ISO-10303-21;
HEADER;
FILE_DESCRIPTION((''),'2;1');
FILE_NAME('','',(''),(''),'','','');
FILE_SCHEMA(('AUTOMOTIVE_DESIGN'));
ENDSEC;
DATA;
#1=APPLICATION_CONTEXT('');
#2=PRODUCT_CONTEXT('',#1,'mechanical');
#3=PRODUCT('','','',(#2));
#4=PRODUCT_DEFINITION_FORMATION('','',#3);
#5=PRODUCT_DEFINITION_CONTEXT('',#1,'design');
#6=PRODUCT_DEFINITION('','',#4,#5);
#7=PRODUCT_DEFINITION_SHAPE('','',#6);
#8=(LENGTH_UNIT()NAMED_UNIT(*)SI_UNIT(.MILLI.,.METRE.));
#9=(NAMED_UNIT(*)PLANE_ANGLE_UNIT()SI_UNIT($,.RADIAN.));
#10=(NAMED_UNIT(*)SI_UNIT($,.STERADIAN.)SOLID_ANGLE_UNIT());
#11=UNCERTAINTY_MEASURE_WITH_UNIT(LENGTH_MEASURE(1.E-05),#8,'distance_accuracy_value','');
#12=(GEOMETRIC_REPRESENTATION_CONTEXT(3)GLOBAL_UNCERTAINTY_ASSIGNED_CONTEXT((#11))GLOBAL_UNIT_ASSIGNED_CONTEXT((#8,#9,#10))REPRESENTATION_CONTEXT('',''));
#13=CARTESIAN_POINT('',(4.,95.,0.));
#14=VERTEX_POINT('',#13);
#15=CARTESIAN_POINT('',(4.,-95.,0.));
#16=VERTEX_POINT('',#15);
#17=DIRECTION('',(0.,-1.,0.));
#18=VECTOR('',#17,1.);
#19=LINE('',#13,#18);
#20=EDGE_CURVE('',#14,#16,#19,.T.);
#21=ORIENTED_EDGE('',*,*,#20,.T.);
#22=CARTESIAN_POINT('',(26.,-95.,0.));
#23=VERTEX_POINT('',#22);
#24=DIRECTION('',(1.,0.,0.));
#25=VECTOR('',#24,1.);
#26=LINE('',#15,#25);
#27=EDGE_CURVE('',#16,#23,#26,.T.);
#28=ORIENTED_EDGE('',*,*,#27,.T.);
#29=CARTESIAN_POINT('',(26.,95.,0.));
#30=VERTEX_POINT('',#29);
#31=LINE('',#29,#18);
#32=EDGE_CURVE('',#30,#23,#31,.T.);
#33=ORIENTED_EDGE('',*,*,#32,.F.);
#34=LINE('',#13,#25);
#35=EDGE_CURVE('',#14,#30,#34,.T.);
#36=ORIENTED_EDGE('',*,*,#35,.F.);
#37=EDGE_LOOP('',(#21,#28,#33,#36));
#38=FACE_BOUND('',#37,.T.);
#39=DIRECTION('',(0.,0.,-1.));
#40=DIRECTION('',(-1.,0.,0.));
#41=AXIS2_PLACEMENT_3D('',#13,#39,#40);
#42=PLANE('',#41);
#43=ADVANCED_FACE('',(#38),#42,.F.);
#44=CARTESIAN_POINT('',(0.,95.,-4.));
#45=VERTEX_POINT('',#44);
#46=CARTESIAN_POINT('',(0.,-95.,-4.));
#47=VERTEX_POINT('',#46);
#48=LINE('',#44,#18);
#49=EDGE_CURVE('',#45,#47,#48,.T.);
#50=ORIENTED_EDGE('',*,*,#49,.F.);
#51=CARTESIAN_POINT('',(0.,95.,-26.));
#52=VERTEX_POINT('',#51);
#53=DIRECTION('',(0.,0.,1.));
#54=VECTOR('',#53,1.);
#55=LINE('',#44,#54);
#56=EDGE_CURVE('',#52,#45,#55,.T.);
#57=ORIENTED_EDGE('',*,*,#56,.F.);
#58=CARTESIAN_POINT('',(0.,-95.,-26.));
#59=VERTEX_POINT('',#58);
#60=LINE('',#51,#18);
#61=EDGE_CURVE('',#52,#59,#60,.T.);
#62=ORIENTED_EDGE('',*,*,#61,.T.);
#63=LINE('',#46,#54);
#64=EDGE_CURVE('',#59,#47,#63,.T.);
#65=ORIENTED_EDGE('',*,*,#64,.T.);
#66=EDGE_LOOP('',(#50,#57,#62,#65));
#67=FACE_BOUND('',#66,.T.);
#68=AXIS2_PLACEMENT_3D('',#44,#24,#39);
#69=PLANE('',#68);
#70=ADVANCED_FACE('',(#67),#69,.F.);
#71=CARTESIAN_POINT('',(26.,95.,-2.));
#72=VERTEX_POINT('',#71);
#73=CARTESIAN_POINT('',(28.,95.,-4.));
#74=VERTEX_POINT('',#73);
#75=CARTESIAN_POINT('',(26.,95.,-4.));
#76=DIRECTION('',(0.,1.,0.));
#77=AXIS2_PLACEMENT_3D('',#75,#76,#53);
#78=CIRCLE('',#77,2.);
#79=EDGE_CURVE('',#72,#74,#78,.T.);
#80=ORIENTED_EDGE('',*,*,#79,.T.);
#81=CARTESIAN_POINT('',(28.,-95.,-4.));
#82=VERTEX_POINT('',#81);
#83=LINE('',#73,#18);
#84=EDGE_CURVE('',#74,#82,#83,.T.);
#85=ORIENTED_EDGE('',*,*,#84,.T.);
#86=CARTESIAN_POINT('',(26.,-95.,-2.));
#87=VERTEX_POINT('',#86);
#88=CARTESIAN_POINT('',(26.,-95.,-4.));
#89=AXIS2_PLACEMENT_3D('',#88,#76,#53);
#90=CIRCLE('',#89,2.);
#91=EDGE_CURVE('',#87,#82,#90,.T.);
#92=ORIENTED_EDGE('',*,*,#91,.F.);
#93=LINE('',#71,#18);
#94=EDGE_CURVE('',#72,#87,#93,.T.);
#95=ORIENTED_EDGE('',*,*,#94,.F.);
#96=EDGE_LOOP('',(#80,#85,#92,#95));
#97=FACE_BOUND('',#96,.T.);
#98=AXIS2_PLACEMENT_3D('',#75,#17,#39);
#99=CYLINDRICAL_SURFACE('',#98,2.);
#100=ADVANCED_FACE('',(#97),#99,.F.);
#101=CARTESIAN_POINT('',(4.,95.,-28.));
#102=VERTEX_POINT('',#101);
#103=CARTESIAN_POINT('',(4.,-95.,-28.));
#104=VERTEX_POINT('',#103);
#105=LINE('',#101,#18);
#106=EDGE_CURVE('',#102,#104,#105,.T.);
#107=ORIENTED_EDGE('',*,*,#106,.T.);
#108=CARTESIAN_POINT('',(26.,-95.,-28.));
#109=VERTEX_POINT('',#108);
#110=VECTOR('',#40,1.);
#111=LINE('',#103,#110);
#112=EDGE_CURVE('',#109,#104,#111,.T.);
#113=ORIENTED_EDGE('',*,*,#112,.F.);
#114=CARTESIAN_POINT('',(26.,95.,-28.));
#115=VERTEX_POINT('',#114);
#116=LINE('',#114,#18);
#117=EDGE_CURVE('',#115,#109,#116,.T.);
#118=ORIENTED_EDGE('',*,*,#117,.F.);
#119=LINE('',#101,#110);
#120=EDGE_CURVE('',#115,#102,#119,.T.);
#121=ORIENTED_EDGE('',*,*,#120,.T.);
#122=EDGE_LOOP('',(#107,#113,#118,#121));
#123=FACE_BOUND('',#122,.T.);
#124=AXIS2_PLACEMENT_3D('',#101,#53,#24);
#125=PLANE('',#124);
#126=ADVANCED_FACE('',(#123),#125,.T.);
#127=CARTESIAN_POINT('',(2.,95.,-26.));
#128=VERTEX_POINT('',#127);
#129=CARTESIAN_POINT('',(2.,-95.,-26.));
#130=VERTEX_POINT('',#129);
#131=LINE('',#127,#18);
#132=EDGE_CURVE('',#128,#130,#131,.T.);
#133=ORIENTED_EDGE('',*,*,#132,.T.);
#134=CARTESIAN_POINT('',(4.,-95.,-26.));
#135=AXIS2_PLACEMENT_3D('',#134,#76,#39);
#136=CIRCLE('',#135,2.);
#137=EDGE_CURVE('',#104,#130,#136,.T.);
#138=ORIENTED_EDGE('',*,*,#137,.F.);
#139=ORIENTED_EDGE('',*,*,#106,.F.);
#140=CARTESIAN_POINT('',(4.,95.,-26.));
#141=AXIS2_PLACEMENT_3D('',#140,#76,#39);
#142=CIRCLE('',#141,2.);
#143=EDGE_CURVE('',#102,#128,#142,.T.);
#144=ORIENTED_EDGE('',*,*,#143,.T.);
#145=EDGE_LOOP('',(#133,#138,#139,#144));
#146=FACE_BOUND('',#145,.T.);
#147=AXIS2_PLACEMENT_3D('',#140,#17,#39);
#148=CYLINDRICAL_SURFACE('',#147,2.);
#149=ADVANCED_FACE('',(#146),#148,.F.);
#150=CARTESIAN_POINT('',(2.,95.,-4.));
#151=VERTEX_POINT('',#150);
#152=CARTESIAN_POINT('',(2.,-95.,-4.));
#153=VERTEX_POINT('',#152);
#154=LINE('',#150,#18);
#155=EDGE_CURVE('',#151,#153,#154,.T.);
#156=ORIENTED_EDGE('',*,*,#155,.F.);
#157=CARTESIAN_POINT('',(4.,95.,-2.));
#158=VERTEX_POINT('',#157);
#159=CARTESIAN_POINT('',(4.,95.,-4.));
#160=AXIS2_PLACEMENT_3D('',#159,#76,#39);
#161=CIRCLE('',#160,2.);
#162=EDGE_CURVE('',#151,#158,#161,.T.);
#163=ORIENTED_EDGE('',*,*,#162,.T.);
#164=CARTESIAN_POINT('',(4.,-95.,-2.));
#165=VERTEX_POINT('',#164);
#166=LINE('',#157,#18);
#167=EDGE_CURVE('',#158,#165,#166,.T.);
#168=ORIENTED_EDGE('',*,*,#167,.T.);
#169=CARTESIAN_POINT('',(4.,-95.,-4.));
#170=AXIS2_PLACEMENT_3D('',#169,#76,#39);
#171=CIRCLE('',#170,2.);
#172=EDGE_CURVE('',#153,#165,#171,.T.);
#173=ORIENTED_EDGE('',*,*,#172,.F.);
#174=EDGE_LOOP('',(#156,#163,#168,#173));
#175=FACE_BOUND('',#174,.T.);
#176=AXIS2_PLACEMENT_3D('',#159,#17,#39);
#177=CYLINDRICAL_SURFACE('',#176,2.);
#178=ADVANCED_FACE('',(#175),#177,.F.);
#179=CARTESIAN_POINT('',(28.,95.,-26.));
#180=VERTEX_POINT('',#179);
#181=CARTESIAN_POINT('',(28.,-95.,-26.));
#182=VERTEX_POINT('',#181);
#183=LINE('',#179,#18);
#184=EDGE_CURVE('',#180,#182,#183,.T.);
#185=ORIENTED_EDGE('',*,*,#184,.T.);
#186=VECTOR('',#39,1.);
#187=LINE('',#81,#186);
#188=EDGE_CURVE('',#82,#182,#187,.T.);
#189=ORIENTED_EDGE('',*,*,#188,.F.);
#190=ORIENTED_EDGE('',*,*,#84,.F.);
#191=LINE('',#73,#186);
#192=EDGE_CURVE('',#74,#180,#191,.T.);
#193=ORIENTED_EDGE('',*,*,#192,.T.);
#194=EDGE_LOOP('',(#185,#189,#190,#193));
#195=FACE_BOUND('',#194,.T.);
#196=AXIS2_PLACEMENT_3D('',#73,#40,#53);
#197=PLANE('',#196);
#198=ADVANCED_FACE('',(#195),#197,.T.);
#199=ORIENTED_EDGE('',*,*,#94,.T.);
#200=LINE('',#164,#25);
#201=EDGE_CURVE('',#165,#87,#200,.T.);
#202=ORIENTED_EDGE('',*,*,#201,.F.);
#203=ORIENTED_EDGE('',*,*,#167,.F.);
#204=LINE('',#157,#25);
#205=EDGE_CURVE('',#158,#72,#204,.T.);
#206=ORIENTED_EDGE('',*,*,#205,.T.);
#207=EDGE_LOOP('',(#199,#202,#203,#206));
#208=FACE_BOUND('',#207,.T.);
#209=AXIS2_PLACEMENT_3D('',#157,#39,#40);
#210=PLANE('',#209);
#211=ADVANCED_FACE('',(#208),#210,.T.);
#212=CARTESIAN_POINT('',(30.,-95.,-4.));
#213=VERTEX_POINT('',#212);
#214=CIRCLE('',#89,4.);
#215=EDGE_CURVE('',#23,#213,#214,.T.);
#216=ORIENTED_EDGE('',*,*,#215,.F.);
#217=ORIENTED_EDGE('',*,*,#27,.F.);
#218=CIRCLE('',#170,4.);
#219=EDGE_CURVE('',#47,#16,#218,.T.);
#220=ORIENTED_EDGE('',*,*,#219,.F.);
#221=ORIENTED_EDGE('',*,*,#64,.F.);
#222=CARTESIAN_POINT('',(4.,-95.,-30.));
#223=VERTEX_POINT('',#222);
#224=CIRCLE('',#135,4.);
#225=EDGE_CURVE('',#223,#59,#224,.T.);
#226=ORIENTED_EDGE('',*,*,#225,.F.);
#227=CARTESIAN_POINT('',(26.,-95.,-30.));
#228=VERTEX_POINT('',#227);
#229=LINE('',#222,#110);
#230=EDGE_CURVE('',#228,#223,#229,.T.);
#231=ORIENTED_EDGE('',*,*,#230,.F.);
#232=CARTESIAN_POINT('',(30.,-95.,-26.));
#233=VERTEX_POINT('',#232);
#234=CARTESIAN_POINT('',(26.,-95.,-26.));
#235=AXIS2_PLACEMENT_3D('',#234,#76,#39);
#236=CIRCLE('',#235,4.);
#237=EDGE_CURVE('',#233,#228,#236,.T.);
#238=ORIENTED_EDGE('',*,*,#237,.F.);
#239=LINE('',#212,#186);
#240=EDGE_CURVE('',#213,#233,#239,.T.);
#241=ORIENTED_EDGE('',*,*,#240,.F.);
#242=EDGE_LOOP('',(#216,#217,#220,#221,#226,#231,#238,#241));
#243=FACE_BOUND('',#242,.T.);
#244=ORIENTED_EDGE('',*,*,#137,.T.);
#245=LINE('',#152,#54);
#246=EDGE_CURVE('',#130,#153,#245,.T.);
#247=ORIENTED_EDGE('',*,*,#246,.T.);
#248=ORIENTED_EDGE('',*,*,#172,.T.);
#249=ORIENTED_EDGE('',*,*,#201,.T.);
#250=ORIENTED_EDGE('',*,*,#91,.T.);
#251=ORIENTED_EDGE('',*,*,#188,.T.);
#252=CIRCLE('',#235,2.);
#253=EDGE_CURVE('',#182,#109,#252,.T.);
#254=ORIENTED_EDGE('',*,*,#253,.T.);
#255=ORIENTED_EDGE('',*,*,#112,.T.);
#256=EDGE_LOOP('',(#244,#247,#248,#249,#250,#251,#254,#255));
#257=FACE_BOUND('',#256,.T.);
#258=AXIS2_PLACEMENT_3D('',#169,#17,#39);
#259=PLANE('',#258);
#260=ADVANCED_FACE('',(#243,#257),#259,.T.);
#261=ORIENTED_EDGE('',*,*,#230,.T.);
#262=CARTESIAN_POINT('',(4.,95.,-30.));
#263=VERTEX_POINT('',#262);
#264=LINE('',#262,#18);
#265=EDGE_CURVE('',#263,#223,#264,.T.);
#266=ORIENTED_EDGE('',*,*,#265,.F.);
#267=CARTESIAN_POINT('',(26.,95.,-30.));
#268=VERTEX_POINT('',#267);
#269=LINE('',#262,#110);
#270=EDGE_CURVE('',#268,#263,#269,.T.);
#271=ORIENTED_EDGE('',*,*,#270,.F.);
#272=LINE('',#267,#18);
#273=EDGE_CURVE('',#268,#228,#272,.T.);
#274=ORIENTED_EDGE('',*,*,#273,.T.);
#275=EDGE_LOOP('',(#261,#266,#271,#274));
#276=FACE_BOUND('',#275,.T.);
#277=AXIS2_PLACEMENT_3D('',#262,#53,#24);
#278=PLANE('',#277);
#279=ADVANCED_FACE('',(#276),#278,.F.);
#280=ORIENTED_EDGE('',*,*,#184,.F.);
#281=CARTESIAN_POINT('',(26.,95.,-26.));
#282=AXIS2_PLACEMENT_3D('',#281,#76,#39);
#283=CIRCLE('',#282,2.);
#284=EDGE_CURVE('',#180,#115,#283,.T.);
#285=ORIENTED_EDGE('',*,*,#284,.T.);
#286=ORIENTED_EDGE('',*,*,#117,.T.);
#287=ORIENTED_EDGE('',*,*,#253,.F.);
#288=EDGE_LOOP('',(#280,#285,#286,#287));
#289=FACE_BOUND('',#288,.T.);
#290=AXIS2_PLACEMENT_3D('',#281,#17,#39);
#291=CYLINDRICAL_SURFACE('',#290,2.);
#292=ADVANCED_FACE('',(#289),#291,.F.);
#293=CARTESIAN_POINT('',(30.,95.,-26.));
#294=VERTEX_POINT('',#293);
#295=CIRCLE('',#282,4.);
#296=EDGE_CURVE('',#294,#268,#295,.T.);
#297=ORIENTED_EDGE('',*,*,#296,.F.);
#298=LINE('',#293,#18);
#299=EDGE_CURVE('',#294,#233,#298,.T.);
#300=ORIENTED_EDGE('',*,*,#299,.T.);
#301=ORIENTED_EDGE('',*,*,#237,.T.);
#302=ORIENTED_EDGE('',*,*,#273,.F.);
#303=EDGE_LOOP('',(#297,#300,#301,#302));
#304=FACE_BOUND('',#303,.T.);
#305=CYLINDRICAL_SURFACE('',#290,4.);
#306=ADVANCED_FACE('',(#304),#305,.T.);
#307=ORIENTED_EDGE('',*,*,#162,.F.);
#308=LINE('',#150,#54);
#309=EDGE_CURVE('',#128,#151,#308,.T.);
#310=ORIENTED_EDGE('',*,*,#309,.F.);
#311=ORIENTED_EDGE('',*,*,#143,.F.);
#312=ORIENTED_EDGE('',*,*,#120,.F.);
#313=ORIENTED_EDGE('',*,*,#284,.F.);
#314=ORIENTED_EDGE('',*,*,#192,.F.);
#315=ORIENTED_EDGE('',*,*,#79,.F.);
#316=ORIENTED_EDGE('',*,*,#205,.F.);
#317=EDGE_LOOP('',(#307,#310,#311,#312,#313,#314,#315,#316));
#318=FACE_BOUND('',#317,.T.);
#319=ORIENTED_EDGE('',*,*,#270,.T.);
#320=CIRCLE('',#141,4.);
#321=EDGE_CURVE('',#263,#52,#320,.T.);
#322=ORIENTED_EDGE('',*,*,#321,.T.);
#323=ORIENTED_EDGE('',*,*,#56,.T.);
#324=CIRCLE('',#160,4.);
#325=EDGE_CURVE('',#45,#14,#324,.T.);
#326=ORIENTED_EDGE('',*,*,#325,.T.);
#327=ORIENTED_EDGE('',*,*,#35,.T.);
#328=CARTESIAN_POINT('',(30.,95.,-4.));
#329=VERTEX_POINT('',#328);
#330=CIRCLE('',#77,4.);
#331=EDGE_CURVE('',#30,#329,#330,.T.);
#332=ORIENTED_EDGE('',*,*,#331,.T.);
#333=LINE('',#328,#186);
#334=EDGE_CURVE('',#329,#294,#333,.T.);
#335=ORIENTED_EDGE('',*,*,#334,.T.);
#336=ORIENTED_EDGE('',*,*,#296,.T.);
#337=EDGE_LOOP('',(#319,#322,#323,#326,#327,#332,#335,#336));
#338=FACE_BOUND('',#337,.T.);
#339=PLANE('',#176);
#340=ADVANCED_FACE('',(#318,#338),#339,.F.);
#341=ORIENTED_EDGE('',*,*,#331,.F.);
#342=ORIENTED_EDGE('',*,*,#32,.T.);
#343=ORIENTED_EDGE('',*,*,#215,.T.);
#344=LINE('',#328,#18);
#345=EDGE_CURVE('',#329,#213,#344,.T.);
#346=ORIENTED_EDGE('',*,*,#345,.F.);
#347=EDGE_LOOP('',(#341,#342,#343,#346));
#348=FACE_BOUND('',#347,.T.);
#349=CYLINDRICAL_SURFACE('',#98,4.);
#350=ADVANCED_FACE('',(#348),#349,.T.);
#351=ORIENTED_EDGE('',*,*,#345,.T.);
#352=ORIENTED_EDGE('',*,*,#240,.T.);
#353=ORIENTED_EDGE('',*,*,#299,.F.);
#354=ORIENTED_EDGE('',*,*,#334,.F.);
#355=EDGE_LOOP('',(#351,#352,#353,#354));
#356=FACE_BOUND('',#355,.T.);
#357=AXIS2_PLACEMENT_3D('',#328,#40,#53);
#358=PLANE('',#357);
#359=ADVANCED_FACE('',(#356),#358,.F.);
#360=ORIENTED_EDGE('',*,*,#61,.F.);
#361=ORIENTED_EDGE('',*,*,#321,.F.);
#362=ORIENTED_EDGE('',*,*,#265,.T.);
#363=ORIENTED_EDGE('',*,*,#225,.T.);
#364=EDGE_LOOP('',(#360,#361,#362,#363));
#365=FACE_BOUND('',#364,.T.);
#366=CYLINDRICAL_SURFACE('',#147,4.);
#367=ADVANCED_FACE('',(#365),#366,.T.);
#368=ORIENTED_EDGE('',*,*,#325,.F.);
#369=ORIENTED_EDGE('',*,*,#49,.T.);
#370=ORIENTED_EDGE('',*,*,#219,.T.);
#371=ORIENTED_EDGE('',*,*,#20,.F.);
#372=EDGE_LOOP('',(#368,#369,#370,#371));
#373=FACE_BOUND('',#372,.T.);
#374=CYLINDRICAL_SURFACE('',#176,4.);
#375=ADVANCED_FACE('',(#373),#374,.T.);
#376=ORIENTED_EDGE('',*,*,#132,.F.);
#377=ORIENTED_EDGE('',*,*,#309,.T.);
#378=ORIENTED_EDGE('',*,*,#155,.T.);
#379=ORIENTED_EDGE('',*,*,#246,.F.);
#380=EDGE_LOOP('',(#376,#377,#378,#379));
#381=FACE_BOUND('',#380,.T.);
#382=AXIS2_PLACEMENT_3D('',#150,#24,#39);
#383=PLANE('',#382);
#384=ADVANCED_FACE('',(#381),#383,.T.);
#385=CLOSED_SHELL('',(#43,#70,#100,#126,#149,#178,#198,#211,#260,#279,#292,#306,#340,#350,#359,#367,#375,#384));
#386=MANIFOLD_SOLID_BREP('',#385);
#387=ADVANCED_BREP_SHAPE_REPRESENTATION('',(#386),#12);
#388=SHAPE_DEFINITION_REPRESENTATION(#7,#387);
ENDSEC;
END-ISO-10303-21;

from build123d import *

# Parameters (mm, degrees)
EXTRUDE_1_DEPTH = 95


with BuildPart() as part:
    # 草图1 → 凸台-拉伸1 (new, symmetric)
    with BuildSketch(Plane(origin=(0, 0, 0), x_dir=(1, 0, 0), z_dir=(0, 1, 0))):
        with BuildLine():
            Line((4, 0), (26, 0))
            ThreePointArc((26, 0), (28.828427125, 1.171572875), (30, 4))
            Line((30, 4), (30, 26))
            ThreePointArc((30, 26), (28.828427125, 28.828427125), (26, 30))
            Line((26, 30), (4, 30))
            ThreePointArc((4, 30), (1.171572875, 28.828427125), (0, 26))
            Line((0, 26), (0, 4))
            ThreePointArc((0, 4), (1.171572875, 1.171572875), (4, 0))
        make_face()
        with BuildLine():
            Line((4, 2), (26, 2))
            ThreePointArc((26, 2), (27.414213562, 2.585786438), (28, 4))
            Line((28, 4), (28, 26))
            ThreePointArc((28, 26), (27.414213562, 27.414213562), (26, 28))
            Line((26, 28), (4, 28))
            ThreePointArc((4, 28), (2.585786438, 27.414213562), (2, 26))
            Line((2, 26), (2, 4))
            ThreePointArc((2, 4), (2.585786438, 2.585786438), (4, 2))
        make_face(mode=Mode.SUBTRACT)
    extrude(amount=EXTRUDE_1_DEPTH, both=True)


solid = part.part
